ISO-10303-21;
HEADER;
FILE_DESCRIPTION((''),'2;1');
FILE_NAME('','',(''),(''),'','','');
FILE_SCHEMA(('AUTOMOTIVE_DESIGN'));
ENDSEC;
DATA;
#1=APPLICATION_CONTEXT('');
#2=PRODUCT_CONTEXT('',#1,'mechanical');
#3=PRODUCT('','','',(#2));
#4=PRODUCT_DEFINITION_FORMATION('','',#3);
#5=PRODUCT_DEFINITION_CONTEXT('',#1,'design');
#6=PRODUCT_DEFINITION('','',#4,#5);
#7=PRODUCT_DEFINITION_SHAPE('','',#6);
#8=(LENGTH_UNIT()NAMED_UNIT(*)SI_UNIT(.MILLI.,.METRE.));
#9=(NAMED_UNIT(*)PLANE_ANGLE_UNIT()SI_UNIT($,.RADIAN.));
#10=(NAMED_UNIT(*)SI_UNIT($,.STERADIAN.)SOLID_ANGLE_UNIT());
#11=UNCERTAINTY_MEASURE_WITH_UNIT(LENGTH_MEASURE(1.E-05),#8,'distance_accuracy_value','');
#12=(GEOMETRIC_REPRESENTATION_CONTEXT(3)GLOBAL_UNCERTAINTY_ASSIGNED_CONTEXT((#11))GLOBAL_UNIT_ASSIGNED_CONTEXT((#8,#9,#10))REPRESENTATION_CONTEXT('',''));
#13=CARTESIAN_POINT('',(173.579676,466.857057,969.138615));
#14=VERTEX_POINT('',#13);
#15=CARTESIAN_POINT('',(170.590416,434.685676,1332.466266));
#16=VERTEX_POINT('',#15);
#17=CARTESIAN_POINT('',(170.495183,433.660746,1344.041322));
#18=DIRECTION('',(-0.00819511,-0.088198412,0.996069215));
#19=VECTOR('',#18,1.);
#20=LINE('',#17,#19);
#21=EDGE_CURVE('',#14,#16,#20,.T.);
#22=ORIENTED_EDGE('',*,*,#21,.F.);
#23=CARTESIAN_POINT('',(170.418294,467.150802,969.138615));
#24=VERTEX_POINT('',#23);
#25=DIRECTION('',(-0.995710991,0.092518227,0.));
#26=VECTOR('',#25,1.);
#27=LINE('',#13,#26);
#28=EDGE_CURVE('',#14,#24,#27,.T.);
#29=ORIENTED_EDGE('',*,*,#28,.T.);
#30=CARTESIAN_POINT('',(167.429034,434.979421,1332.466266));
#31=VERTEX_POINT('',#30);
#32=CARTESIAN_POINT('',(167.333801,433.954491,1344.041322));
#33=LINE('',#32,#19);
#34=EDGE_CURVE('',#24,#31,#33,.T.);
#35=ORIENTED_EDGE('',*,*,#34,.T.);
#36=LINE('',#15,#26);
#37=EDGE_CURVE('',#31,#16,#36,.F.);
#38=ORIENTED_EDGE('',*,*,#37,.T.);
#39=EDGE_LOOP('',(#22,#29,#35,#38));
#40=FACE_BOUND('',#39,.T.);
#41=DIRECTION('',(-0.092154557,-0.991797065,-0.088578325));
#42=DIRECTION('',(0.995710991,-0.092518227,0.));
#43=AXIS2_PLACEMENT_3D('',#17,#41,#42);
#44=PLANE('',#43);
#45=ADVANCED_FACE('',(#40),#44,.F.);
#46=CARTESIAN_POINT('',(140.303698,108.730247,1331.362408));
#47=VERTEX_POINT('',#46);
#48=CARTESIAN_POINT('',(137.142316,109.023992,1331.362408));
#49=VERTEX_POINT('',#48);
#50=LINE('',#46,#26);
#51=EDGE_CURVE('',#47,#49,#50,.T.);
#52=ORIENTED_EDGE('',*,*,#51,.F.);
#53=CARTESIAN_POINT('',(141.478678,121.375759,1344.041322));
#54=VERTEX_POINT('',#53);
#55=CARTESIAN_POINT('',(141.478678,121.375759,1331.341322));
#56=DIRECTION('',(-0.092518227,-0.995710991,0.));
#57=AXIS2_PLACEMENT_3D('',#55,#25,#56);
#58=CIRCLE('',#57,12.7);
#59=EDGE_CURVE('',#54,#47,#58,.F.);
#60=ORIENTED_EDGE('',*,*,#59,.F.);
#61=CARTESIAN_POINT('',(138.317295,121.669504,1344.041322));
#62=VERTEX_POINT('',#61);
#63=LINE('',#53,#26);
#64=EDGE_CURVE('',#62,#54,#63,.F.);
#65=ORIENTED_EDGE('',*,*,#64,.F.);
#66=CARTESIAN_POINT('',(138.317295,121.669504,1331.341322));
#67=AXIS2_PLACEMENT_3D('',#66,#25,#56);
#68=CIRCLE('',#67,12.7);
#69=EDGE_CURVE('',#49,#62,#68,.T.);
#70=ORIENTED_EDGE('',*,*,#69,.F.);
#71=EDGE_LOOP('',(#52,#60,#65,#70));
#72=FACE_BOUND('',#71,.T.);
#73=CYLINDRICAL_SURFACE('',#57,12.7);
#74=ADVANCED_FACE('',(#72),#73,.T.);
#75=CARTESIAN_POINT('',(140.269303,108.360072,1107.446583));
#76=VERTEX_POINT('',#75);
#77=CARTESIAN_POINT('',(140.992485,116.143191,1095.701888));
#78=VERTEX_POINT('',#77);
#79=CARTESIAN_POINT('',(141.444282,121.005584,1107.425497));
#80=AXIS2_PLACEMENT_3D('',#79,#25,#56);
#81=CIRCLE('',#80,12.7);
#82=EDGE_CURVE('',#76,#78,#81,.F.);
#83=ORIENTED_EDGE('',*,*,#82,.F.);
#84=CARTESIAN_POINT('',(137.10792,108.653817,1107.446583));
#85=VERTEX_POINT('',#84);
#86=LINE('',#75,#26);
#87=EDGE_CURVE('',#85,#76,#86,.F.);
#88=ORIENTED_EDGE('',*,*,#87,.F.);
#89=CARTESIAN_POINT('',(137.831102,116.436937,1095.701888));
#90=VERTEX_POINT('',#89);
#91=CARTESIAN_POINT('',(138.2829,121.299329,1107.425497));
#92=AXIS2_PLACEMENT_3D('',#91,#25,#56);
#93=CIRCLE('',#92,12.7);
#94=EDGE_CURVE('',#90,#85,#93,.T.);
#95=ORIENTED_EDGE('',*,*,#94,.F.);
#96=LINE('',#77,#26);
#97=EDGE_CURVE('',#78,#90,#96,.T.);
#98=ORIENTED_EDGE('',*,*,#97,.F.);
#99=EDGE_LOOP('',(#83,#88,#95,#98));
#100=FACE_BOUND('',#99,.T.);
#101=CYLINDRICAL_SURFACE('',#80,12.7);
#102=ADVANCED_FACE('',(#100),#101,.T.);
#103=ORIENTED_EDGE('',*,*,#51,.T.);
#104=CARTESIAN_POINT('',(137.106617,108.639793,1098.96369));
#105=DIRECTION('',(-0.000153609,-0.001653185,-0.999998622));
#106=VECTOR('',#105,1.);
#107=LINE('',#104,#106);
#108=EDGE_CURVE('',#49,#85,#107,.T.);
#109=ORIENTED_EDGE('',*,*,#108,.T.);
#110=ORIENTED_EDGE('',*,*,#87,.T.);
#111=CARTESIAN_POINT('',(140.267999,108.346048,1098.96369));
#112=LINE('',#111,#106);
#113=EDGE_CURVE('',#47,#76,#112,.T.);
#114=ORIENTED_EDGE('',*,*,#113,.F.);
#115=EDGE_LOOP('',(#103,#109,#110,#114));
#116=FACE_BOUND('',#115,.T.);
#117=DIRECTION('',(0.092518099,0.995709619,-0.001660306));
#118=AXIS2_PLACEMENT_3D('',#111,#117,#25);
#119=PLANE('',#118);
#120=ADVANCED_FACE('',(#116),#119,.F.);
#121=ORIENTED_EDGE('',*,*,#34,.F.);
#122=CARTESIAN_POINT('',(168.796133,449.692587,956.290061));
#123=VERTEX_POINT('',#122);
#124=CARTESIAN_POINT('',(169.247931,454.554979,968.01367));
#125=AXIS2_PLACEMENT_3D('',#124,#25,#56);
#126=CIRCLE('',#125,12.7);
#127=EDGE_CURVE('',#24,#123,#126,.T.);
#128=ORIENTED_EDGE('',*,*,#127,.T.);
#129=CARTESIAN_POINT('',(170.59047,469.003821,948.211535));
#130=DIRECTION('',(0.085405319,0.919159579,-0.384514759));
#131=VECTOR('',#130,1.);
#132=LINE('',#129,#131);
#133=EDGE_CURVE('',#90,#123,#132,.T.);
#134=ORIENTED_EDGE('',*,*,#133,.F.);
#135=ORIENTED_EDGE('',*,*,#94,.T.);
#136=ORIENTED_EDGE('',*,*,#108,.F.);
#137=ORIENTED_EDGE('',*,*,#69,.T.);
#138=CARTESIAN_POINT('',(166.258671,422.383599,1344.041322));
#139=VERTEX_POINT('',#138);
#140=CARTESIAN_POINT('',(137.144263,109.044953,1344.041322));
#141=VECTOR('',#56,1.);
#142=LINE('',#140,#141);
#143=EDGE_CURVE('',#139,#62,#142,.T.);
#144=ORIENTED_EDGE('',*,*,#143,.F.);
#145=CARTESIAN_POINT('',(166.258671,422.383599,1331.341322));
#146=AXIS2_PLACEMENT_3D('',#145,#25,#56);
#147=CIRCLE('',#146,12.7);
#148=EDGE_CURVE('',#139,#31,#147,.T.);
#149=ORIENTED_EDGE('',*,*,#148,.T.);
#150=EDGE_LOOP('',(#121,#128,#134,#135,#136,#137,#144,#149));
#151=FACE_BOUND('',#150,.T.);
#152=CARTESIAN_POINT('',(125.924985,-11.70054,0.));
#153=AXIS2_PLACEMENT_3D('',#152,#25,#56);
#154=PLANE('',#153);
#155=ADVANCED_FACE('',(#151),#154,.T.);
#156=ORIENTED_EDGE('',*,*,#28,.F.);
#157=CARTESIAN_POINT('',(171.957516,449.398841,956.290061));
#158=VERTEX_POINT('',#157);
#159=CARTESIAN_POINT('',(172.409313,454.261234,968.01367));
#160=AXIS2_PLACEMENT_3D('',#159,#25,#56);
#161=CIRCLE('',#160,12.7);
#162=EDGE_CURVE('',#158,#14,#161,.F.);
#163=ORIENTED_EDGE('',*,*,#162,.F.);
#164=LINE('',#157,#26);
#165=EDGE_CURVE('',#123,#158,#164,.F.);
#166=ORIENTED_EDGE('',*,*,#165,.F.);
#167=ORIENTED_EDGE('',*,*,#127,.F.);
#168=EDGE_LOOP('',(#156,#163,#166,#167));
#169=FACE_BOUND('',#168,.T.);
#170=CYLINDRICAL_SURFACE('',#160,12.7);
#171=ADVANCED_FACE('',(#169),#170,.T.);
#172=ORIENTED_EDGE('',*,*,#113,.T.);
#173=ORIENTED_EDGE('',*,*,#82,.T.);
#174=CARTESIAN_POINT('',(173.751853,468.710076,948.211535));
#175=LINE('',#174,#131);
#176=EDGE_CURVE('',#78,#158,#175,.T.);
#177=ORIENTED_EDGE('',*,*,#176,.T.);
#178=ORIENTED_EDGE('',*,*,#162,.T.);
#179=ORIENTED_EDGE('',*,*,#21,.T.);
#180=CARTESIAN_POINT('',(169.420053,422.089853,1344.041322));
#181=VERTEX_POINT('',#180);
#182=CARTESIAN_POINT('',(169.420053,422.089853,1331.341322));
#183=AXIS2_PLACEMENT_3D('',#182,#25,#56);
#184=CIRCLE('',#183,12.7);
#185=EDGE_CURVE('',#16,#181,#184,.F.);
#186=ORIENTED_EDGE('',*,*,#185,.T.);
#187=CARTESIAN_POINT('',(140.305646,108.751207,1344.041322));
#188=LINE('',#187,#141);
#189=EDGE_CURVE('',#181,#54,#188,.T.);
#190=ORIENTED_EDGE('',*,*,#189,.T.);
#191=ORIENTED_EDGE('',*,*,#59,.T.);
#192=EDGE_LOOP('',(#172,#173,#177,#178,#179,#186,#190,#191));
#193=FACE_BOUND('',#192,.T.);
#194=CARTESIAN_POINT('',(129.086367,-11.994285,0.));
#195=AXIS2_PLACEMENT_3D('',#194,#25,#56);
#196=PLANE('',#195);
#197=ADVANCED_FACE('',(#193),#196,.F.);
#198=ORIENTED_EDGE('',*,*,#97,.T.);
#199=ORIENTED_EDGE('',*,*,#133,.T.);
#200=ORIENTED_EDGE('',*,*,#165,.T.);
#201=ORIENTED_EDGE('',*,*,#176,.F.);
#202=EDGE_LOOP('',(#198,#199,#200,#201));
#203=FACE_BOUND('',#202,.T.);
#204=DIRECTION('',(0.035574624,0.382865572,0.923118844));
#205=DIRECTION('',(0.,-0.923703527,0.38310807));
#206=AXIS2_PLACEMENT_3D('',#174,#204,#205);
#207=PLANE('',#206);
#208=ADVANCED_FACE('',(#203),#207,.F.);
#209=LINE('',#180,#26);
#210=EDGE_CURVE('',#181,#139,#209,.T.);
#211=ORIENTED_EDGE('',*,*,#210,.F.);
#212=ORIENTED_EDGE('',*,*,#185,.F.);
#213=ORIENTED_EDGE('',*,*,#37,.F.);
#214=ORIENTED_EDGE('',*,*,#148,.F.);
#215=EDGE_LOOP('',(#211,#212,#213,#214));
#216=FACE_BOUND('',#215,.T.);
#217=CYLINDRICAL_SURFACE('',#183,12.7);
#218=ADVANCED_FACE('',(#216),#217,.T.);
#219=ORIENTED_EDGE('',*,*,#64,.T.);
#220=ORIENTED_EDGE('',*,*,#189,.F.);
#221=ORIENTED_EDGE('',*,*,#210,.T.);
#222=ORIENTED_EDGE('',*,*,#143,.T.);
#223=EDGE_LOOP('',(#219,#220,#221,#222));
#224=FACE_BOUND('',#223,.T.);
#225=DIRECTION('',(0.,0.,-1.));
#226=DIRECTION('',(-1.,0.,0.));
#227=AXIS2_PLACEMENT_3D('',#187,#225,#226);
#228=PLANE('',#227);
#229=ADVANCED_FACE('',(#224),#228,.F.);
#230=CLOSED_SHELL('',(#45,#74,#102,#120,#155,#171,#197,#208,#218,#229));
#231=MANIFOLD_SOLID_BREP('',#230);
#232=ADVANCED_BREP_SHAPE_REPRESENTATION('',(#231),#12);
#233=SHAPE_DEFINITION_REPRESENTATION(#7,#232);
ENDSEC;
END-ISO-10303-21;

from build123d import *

# Parameters (mm, degrees)
BOSS_EXTRUDE2_DEPTH = 3.175
FILLET1_R           = 12.7


with BuildPart() as part:
    # Sketch2 → Boss-Extrude2 (new body)
    with BuildSketch(Plane(origin=(125.924984682, -11.700540008, 0), x_dir=(0, 0, -1), z_dir=(0.9957109910599374, -0.0925182267579596, 0))):
        Polygon((-1098.963689663, 120.858697524), (-1344.041321718, 121.265601845), (-1344.041321718, 447.57468292), (-948.211534765, 482.774987334), align=None)
    extrude(amount=BOSS_EXTRUDE2_DEPTH)

    # Fillet1
    fillet1_edges = [part.edges().sort_by_distance(p)[0] for p in [
        (138.687308264, 108.492920797, 1098.963689663),
        (138.72495433, 108.898079901, 1344.041321718),
        (168.914491886, 433.807618411, 1344.041321718),
        (172.171161632, 468.856948404, 948.211534765),
    ]]
    fillet(fillet1_edges, radius=FILLET1_R)


solid = part.part
